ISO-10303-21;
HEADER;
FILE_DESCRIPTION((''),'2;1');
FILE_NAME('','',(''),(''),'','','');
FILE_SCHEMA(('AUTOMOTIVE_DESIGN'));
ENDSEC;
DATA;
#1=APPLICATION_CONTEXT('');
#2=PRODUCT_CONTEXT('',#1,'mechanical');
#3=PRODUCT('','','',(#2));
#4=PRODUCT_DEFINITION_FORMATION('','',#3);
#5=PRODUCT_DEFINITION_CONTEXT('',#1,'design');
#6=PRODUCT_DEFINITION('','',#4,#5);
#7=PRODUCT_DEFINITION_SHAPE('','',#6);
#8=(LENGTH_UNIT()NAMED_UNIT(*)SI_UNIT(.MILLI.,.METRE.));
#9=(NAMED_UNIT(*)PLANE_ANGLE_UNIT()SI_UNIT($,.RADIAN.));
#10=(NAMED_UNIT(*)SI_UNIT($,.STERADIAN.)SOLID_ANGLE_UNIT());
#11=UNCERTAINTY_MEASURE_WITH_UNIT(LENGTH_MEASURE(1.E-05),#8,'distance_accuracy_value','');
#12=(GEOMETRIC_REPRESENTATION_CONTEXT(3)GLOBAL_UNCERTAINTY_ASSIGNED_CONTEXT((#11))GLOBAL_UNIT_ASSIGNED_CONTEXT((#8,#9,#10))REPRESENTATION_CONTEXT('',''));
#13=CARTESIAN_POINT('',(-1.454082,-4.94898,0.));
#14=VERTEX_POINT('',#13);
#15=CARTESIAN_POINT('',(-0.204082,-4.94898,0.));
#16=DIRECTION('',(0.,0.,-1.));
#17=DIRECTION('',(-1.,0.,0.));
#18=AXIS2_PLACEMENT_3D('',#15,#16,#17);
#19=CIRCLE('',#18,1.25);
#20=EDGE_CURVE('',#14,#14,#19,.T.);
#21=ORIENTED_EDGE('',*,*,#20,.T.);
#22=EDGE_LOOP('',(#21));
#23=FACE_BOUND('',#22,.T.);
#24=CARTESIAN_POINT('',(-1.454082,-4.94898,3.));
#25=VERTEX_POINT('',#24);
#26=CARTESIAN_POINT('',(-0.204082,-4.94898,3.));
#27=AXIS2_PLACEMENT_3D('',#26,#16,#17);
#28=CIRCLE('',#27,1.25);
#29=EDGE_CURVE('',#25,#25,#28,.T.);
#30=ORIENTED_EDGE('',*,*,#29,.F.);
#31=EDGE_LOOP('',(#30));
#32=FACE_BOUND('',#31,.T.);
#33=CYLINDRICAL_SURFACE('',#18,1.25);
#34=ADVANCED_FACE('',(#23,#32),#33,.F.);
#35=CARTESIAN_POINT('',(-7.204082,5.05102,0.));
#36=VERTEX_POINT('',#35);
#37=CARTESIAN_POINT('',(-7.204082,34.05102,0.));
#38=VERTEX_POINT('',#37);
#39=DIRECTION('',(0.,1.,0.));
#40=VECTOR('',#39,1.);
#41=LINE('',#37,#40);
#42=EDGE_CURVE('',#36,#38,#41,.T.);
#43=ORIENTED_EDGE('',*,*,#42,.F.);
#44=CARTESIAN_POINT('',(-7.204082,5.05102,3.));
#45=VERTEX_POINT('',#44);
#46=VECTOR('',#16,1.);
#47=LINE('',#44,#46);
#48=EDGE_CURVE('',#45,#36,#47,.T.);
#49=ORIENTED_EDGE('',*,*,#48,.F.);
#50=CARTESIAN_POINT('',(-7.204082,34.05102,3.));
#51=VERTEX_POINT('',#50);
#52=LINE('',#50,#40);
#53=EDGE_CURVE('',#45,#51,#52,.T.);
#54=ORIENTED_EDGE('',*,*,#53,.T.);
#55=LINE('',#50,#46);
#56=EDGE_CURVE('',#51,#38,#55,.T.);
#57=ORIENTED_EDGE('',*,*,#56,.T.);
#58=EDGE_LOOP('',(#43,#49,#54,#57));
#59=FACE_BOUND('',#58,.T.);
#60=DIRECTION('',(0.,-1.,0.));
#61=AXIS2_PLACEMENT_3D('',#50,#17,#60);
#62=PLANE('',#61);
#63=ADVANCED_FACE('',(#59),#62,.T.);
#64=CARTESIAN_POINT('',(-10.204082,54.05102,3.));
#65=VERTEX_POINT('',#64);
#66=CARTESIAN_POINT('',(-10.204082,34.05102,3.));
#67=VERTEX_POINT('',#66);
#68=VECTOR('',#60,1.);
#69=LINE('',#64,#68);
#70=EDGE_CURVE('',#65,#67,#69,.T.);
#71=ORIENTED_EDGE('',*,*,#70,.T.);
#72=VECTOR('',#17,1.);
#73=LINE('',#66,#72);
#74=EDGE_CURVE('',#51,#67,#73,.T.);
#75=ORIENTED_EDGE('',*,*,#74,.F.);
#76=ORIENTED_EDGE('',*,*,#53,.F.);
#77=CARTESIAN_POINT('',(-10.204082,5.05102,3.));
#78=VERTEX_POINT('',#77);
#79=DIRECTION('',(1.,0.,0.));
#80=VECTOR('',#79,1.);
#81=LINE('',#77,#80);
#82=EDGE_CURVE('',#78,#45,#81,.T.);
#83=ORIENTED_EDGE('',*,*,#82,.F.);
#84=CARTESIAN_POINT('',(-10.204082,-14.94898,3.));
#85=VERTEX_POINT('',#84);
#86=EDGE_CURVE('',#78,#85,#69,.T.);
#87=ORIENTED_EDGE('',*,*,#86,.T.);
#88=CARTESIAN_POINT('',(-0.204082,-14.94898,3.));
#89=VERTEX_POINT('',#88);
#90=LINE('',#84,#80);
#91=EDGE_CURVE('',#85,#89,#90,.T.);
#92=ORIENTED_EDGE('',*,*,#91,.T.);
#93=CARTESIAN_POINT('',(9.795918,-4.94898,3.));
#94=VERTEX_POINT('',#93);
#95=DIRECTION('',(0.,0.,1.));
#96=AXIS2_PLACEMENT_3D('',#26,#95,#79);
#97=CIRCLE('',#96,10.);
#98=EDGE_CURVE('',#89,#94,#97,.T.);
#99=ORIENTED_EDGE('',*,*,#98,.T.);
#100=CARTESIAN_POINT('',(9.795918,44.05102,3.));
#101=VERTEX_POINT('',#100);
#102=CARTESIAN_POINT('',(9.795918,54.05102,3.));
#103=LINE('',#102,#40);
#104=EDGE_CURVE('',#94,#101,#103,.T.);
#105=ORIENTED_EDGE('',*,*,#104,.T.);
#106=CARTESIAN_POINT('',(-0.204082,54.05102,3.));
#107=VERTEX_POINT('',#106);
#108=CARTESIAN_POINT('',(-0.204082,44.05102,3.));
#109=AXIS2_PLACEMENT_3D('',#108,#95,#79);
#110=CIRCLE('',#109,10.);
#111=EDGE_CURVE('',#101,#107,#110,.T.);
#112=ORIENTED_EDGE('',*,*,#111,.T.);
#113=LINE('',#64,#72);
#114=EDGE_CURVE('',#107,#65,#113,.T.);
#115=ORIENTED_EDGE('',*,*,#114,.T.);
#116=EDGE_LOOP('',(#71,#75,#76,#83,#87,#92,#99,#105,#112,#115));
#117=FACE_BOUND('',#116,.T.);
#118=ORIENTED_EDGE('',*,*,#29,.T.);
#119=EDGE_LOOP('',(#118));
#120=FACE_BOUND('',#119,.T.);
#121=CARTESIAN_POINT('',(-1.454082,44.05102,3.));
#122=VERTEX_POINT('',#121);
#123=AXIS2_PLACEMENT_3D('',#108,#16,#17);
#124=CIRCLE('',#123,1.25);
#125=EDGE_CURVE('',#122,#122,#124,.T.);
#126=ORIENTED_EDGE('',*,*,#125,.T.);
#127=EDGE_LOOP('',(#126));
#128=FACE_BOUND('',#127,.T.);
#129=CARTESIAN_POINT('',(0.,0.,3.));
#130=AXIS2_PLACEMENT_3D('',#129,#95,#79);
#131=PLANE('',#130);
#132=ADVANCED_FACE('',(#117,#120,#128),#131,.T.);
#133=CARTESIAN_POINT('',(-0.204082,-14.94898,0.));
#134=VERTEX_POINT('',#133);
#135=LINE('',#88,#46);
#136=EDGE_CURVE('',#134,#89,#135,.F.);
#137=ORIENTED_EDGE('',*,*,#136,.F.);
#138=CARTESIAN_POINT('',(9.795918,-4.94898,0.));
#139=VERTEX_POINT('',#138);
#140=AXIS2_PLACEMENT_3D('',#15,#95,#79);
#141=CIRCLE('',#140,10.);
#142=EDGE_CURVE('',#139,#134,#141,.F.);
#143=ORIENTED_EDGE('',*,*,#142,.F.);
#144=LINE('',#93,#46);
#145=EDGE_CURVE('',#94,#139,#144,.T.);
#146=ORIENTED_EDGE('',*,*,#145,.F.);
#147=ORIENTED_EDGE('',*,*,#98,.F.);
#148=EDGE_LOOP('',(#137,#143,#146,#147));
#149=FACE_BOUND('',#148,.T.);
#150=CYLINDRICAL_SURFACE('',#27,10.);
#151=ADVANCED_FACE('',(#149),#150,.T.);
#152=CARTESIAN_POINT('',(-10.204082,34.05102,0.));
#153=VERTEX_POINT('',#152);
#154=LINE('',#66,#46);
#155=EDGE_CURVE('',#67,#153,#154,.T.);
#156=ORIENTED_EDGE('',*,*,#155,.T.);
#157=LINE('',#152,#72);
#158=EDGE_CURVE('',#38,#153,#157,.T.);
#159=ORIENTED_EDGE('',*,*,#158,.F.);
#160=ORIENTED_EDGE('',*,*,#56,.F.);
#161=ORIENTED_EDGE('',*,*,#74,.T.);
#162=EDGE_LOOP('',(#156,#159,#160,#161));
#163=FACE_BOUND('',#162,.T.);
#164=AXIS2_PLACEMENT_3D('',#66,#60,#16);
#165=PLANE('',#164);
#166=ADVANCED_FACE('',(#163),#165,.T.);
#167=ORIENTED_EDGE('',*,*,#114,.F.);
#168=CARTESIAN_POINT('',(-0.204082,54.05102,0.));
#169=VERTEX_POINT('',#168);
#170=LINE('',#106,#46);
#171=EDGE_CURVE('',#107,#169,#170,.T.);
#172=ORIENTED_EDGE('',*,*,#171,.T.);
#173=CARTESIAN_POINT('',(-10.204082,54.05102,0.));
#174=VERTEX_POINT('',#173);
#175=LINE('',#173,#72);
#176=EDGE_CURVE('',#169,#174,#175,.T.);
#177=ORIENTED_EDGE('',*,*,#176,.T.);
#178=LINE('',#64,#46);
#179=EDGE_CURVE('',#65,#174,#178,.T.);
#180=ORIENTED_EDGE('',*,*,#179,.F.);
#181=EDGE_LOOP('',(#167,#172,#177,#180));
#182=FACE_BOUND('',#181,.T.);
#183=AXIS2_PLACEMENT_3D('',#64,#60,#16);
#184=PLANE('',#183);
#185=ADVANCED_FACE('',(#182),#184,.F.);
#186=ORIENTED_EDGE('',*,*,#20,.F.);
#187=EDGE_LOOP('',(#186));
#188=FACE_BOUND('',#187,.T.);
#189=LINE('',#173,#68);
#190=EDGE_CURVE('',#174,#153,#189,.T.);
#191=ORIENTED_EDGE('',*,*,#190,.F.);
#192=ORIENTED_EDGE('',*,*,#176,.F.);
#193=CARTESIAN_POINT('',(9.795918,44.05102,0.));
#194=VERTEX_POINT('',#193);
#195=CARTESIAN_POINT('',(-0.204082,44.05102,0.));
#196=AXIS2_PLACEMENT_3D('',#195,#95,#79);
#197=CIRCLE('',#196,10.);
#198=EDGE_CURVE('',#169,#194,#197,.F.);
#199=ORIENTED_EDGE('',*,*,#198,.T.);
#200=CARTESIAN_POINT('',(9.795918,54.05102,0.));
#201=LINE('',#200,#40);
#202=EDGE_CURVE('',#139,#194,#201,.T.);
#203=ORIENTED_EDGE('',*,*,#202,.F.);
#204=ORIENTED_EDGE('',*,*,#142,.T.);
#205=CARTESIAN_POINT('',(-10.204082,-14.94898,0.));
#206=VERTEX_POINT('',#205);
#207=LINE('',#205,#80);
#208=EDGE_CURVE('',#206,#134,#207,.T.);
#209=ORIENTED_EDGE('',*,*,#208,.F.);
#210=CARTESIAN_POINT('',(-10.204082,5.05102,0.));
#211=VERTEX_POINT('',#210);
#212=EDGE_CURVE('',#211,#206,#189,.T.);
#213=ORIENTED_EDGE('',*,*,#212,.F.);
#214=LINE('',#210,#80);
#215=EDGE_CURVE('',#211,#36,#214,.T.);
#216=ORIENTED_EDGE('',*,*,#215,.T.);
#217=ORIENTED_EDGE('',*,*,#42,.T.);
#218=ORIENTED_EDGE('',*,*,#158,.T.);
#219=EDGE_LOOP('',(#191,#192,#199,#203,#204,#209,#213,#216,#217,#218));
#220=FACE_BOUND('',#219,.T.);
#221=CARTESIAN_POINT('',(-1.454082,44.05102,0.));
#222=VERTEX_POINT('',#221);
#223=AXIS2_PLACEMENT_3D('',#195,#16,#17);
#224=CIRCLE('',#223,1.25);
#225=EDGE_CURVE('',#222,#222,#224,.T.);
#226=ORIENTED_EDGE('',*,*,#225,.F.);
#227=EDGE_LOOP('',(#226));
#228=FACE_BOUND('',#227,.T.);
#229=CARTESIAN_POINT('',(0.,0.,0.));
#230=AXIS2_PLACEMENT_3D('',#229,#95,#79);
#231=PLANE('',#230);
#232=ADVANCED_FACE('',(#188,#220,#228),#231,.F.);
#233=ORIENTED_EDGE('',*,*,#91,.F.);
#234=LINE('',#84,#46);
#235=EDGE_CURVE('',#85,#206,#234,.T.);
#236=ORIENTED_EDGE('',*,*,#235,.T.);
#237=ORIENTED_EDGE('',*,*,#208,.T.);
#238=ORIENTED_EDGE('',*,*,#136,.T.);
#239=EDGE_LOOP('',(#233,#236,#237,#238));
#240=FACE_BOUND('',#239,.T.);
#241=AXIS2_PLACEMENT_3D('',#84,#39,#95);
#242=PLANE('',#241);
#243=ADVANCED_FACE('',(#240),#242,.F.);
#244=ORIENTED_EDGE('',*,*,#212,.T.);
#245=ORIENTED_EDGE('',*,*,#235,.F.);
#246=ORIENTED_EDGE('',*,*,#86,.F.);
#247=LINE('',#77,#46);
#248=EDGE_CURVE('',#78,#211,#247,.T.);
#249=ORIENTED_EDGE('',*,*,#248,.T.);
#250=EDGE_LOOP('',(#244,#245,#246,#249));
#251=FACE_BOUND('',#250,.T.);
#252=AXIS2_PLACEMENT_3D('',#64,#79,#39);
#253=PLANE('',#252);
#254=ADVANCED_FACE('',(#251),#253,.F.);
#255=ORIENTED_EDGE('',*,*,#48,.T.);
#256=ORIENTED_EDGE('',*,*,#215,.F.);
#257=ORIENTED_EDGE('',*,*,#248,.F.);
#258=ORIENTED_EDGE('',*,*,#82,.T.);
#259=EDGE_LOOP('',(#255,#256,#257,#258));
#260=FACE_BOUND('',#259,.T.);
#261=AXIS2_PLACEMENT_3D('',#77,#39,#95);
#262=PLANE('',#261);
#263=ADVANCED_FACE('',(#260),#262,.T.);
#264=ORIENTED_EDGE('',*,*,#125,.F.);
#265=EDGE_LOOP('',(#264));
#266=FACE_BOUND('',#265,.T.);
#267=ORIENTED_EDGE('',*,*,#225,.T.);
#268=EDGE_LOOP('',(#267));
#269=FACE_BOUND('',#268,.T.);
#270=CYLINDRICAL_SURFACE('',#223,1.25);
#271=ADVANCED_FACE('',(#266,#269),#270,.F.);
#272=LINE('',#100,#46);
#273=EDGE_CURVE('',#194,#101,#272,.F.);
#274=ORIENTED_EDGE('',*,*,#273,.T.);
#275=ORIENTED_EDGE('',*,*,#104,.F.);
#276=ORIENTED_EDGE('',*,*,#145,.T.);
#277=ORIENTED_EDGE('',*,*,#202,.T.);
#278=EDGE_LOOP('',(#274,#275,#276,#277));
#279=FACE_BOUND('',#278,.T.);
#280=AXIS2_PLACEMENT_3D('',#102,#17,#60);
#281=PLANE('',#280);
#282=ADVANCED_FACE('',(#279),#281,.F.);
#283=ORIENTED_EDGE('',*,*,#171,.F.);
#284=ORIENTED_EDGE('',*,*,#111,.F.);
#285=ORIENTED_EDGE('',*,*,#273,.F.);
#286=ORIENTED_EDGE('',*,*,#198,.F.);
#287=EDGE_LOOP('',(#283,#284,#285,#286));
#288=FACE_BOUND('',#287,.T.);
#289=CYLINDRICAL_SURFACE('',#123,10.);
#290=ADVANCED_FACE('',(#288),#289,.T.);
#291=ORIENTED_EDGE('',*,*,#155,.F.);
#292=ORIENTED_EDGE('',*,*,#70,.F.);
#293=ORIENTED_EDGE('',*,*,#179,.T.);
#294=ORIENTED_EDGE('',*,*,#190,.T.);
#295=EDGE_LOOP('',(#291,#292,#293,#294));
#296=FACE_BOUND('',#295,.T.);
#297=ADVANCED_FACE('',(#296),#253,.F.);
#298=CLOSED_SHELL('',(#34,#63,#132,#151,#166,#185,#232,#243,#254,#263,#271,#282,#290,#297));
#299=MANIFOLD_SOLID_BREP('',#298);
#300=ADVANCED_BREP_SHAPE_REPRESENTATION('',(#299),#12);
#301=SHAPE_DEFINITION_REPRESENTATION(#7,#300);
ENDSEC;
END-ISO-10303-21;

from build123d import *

# Parameters (mm, degrees)
SKETCH_1_W          = 20
SKETCH_1_H          = 69
EXTRUDE_1_DEPTH     = 3
SKETCH_2_W          = 3
SKETCH_2_H          = 29
CUT_EXTRUDE_1_DEPTH = 3
HOLE_WIZARD_M3_1_D  = 2.5
FILLET_1_R          = 10


with BuildPart() as part:
    # 草图1 → 凸台-拉伸1 (new body)
    with BuildSketch(Plane.XY):
        with Locations((-0.204081633, 19.551020408)):
            Rectangle(SKETCH_1_W, SKETCH_1_H)
    extrude(amount=EXTRUDE_1_DEPTH)

    # 草图2 → 切除-拉伸1 (cut)
    with BuildSketch(Plane.XY):
        with Locations((-8.704081633, 19.551020408)):
            Rectangle(SKETCH_2_W, SKETCH_2_H)
    extrude(amount=CUT_EXTRUDE_1_DEPTH, mode=Mode.SUBTRACT)

    # M3 螺纹孔的螺纹孔钻头1 (through all)
    with Locations(Plane(origin=(0, 0, 0), x_dir=(-1, 0, 0), z_dir=(0, 0, -1))):
        with Locations((0.204081633, 44.051020408), (0.204081633, -4.948979592)):
            Hole(HOLE_WIZARD_M3_1_D / 2)

    # 圆角1
    fillet_1_edges = [part.edges().sort_by_distance(p)[0] for p in [
        (9.795918367, 54.051020408, 1.5),
        (9.795918367, -14.948979592, 1.5),
    ]]
    fillet(fillet_1_edges, radius=FILLET_1_R)


solid = part.part
